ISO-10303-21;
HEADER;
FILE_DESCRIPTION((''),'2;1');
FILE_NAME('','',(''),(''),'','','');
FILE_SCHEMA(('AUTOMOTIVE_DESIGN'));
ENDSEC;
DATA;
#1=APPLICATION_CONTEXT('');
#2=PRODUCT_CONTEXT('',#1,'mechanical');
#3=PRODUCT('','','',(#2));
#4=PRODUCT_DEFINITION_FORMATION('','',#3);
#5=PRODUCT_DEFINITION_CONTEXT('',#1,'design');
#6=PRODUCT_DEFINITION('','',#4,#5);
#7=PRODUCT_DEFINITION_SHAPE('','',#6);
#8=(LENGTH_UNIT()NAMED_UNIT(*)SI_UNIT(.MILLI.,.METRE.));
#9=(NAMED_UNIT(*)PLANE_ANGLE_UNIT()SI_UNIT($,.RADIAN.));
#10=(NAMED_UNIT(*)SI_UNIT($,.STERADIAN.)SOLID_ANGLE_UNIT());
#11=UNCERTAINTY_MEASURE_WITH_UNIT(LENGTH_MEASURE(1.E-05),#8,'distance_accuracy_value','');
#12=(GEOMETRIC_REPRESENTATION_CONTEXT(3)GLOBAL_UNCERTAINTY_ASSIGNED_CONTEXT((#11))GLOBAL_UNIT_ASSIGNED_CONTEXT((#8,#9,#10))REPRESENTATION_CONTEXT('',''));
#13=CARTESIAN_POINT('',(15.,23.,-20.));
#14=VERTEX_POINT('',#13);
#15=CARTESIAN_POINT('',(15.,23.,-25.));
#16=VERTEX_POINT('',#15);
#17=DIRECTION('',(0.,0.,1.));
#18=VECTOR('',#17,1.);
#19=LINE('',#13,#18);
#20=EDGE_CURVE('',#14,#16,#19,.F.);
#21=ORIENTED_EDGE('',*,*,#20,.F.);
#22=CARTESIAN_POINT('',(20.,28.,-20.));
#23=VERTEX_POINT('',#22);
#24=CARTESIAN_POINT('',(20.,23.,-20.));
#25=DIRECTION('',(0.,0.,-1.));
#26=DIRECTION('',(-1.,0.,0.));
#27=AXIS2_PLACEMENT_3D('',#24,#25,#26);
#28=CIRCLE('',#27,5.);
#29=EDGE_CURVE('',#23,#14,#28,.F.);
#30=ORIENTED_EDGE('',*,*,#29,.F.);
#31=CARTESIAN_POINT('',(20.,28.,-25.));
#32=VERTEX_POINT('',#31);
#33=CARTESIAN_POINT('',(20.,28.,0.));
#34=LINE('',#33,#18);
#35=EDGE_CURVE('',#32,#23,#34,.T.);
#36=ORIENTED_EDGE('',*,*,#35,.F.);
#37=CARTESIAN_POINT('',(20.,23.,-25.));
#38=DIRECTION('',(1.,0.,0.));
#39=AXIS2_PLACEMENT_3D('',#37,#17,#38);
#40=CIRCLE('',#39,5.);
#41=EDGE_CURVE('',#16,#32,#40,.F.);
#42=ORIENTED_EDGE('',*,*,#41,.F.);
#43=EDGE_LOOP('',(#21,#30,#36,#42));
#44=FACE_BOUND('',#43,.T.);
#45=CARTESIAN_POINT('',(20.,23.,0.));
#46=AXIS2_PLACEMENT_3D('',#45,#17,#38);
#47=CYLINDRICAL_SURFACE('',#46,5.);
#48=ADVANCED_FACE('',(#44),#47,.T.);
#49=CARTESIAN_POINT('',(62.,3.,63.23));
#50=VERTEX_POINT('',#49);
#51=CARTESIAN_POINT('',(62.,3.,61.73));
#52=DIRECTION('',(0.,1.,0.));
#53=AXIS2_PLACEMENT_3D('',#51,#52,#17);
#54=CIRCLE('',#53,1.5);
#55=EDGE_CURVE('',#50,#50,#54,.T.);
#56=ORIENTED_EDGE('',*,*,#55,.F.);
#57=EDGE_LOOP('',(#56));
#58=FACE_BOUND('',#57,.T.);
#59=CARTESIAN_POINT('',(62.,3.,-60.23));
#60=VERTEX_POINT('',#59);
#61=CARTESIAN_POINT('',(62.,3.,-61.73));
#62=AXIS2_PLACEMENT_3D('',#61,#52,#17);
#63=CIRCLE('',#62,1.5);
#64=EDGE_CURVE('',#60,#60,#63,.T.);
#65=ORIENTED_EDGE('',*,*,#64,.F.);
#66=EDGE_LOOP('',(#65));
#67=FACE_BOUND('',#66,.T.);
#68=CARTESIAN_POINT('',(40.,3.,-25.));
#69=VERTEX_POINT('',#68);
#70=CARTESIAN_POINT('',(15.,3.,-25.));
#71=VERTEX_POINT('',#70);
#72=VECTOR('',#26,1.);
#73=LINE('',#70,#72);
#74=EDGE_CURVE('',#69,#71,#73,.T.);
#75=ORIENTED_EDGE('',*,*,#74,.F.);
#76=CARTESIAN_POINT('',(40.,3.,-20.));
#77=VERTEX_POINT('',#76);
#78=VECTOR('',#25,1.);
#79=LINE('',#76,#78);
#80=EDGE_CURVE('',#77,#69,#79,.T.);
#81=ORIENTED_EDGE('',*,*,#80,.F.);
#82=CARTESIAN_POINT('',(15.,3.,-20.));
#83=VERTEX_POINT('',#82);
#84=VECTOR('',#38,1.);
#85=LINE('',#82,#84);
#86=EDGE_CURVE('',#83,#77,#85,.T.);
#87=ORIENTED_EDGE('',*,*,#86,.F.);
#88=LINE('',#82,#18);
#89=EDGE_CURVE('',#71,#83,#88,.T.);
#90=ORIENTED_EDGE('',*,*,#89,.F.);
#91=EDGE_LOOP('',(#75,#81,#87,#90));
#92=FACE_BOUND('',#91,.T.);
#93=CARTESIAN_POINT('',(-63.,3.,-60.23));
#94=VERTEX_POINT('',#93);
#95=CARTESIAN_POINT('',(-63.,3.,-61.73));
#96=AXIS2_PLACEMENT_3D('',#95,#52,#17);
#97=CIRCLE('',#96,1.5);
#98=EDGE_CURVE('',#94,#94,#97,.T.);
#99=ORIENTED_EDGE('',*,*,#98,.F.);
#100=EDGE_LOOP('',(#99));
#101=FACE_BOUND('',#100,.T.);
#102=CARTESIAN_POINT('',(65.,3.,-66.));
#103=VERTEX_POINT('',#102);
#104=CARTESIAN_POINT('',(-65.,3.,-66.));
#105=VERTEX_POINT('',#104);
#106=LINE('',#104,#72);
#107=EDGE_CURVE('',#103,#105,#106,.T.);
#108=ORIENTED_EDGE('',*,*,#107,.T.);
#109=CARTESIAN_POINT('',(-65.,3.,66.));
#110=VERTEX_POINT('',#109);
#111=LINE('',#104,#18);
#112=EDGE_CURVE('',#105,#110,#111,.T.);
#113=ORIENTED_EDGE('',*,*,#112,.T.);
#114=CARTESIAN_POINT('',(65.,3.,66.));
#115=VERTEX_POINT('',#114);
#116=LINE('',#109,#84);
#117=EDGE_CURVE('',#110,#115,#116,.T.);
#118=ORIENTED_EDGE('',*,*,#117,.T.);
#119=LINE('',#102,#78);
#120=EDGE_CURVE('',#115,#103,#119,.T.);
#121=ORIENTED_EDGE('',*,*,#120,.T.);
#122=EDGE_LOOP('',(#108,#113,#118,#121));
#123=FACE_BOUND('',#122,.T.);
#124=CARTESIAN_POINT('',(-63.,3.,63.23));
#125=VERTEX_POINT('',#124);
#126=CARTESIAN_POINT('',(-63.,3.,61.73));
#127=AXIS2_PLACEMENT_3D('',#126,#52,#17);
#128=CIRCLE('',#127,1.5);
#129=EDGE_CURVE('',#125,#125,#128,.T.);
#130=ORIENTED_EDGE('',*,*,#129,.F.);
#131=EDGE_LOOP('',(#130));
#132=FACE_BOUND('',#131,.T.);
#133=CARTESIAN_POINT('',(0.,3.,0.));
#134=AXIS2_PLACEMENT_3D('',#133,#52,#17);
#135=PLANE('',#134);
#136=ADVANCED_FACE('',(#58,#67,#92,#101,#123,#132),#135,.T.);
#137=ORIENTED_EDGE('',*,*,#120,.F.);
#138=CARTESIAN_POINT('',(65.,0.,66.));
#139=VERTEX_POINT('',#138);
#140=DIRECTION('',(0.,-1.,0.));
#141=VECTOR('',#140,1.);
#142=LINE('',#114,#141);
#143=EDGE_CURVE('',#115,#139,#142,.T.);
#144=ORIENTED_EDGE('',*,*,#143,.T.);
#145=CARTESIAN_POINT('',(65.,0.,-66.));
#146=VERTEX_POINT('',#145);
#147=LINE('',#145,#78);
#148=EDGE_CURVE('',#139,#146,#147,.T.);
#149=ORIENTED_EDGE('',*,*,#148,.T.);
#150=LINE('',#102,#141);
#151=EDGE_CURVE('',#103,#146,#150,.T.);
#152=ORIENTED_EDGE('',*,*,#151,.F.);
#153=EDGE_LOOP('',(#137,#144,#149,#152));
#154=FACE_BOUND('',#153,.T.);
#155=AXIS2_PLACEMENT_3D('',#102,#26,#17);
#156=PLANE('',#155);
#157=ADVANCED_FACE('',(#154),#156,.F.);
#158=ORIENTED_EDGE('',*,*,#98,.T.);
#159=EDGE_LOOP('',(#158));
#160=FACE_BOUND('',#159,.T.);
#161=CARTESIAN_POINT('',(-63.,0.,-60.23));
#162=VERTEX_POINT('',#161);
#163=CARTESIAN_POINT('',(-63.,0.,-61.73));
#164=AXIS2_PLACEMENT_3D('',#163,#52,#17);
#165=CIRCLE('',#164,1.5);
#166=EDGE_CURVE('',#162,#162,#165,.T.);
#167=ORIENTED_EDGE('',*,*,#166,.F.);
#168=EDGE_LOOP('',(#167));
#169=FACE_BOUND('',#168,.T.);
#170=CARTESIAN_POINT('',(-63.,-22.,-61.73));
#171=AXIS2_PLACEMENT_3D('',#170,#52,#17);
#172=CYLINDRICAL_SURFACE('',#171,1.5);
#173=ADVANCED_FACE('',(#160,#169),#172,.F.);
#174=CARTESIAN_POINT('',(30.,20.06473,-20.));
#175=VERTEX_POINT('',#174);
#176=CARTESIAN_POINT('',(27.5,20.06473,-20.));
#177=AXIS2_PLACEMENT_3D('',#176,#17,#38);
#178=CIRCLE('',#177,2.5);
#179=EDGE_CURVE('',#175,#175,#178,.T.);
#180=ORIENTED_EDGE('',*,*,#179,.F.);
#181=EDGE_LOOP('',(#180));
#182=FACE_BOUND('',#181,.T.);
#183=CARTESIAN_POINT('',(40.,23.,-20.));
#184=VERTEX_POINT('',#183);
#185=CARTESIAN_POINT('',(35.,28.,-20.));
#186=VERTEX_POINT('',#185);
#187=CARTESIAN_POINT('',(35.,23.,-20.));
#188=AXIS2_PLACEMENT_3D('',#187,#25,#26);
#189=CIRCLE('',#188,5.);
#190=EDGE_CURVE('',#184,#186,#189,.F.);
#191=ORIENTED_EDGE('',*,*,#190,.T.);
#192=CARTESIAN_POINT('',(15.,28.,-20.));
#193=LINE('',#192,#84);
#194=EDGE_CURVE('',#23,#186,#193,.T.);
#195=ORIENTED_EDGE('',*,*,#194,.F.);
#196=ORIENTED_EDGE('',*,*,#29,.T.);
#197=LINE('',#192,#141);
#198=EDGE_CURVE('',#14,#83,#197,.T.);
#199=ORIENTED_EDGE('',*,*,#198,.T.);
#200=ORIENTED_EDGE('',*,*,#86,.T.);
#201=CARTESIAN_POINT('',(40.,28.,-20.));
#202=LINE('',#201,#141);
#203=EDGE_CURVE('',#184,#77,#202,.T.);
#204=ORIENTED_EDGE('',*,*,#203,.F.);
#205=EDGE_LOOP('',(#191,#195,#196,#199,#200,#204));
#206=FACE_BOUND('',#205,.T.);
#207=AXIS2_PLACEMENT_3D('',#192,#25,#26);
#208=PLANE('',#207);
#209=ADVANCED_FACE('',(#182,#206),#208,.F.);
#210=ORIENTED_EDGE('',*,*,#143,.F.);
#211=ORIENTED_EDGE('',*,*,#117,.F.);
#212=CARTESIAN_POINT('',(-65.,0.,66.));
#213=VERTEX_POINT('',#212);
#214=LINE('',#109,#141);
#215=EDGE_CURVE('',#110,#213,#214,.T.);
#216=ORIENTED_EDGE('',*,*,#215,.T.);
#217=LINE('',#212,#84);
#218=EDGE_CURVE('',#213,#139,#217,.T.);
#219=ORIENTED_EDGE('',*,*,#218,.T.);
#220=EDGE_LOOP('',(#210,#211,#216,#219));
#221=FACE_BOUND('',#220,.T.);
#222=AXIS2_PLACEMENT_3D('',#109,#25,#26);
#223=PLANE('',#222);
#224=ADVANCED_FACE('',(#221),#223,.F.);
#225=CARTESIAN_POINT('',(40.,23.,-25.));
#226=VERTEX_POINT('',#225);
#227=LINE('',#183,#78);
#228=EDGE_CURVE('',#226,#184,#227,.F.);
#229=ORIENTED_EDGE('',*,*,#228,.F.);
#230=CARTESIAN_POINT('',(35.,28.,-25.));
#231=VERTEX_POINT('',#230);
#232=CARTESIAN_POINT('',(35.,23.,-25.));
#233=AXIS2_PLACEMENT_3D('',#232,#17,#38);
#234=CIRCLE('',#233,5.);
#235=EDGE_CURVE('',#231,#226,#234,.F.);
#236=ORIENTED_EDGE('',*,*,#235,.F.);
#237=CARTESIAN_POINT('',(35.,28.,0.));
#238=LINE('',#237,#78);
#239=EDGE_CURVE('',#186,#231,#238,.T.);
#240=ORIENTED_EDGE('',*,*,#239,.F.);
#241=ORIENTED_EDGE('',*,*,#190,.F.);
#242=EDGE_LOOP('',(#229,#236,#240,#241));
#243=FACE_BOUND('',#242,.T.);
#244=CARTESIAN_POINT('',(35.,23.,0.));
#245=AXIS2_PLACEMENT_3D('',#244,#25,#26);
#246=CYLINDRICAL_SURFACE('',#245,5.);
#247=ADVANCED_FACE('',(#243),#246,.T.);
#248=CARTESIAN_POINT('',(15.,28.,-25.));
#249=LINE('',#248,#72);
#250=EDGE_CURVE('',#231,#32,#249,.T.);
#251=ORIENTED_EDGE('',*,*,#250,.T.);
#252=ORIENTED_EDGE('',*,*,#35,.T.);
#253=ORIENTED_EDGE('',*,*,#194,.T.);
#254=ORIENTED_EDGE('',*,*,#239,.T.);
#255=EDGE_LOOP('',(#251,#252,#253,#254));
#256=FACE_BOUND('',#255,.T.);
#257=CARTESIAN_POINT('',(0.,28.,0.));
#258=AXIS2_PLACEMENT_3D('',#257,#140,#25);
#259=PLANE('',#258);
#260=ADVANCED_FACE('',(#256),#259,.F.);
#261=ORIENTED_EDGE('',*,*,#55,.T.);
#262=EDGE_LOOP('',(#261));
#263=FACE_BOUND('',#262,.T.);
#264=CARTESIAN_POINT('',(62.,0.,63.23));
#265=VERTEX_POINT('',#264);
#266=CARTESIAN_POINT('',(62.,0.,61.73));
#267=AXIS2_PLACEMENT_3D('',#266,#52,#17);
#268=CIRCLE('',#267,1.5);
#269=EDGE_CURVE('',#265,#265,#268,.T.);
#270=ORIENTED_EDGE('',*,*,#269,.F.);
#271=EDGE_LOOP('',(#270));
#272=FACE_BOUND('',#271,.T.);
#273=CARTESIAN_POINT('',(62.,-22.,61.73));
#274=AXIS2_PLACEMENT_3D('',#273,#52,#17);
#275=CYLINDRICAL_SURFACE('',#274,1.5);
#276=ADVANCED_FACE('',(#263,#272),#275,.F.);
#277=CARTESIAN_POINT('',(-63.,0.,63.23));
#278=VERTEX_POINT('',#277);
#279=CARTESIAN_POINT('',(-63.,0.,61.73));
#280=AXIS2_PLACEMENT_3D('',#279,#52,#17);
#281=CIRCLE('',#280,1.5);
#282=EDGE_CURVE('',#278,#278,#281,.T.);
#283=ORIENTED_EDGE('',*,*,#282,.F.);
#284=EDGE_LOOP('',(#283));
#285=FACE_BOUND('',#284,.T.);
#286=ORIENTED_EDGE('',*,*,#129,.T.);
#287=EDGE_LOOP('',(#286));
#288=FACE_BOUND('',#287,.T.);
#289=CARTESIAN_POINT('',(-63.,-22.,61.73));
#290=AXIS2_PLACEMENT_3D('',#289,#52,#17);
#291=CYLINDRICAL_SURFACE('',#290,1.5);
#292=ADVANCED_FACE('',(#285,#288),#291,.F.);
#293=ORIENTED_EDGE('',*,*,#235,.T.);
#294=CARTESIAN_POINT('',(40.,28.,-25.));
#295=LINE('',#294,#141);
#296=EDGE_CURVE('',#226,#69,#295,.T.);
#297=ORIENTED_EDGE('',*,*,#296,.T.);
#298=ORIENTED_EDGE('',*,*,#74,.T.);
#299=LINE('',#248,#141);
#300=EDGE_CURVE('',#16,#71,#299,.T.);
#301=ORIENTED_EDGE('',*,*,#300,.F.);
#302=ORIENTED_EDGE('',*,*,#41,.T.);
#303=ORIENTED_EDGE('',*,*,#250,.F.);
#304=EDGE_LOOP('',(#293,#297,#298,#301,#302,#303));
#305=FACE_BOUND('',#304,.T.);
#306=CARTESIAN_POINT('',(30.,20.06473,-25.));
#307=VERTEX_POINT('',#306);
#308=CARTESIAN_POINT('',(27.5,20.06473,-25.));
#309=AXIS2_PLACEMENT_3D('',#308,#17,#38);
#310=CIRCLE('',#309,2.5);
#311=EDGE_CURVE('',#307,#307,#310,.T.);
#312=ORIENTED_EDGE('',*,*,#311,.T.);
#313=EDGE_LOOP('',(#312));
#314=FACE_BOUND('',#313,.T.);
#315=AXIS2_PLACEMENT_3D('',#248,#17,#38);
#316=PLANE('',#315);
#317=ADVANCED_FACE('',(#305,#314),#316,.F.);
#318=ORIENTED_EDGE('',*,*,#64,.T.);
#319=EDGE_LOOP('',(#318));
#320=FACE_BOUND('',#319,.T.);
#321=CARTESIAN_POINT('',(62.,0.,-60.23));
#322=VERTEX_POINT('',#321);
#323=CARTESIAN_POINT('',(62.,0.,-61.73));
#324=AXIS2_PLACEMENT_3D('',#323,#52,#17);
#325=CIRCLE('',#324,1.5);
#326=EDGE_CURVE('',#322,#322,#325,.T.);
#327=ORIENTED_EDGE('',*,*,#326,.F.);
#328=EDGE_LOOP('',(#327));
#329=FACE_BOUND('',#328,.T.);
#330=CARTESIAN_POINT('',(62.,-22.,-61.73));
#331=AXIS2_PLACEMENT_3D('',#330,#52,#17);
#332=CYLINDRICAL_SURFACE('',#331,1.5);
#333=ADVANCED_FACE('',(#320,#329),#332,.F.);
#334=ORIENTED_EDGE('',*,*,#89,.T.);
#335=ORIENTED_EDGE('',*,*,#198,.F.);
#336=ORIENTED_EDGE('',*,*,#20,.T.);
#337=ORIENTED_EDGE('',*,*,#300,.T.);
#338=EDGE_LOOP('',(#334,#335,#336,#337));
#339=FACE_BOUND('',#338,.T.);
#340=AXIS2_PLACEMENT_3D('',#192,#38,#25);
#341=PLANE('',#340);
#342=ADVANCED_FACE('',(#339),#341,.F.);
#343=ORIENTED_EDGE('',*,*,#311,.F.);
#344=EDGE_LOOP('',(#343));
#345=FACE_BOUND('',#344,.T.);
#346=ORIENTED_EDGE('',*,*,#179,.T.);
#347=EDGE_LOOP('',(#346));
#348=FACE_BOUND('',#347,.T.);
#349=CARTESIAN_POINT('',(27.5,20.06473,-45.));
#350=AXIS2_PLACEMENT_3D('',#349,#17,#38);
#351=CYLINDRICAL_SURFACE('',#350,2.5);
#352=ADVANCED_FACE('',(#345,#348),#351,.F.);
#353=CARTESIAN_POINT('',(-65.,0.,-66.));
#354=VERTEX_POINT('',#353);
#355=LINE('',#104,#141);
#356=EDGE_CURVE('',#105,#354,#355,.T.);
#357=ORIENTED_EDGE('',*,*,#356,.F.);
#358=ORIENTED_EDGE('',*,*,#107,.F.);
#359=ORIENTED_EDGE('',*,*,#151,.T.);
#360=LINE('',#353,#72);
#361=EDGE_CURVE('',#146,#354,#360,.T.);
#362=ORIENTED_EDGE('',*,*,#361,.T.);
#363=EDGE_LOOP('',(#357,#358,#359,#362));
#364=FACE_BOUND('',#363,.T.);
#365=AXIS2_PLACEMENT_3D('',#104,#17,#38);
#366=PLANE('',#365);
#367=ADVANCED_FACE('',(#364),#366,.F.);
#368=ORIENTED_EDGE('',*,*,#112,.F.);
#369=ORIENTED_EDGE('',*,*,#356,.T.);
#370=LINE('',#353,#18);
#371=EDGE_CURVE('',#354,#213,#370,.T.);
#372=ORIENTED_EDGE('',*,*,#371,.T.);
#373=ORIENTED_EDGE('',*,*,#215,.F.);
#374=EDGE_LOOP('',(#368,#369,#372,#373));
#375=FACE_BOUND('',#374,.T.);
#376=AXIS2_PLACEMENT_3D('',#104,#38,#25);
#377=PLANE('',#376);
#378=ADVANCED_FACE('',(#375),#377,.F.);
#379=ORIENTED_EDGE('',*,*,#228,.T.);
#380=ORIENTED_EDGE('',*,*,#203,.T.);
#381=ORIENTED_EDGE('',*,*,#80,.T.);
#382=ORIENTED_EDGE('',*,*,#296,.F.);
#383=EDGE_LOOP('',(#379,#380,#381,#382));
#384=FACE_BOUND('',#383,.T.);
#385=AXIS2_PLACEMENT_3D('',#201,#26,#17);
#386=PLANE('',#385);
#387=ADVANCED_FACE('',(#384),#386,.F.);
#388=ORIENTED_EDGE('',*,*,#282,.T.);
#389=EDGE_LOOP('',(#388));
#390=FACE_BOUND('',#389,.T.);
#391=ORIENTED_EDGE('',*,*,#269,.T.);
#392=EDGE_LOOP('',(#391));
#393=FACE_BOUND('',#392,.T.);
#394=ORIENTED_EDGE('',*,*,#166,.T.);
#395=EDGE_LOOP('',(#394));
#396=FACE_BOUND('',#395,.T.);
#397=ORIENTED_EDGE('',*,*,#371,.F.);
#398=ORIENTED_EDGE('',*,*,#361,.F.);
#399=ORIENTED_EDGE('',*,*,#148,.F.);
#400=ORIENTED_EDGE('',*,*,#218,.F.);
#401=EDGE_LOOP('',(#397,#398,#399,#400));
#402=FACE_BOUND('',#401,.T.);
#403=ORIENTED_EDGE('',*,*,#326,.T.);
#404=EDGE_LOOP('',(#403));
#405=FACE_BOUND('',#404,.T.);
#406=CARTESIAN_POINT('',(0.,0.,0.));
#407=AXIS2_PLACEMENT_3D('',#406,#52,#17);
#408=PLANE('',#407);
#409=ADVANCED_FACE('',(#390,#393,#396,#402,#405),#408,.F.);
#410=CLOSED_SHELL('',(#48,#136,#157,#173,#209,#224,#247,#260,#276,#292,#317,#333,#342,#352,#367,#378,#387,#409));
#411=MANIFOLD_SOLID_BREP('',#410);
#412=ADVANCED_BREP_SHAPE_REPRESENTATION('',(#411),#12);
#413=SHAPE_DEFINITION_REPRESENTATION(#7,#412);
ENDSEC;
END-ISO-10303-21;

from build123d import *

# Parameters (mm, degrees)
SKETCH1_W           = 130
SKETCH1_H           = 132
BOSS_EXTRUDE1_DEPTH = 3
SKETCH2_W           = 25
SKETCH2_H           = 5
BOSS_EXTRUDE2_DEPTH = 25
FILLET1_R           = 5
SKETCH3_R           = 2.5
CUT_EXTRUDE1_DEPTH  = 25
SKETCH4_R           = 1.5
CUT_EXTRUDE2_DEPTH  = 25


with BuildPart() as part:
    # Sketch1 → Boss-Extrude1 (new body)
    with BuildSketch(Plane(origin=(0, 0, 0), x_dir=(1, 0, 0), z_dir=(0, 1, 0))):
        Rectangle(SKETCH1_W, SKETCH1_H)
    extrude(amount=BOSS_EXTRUDE1_DEPTH)

    # Sketch2 → Boss-Extrude2 (add)
    with BuildSketch(Plane(origin=(0, 3, 0), x_dir=(1, 0, 0), z_dir=(0, 1, 0))):
        with Locations((27.5, 22.5)):
            Rectangle(SKETCH2_W, SKETCH2_H)
    extrude(amount=BOSS_EXTRUDE2_DEPTH)

    # Fillet1
    fillet1_edges = [part.edges().sort_by_distance(p)[0] for p in [
        (15, 28, -22.5),
        (40, 28, -22.5),
    ]]
    fillet(fillet1_edges, radius=FILLET1_R)

    # Sketch3 → Cut-Extrude1 (cut)
    with BuildSketch(Plane.XY.offset(-20)):
        with Locations((27.5, 20.0647296)):
            Circle(SKETCH3_R)
    extrude(amount=-CUT_EXTRUDE1_DEPTH, mode=Mode.SUBTRACT)

    # Sketch4 → Cut-Extrude2 (cut)
    with BuildSketch(Plane(origin=(0, 3, 0), x_dir=(1, 0, 0), z_dir=(0, 1, 0))):
        with Locations(Location((-63, 61.73, 0), (0, 0, 270))):
            Circle(SKETCH4_R)
        with Locations(Location((62, 61.73, 0), (0, 0, 270))):
            Circle(SKETCH4_R)
        with Locations(Location((-63, -61.73, 0), (0, 0, 270))):
            Circle(SKETCH4_R)
        with Locations(Location((62, -61.73, 0), (0, 0, 270))):
            Circle(SKETCH4_R)
    extrude(amount=-CUT_EXTRUDE2_DEPTH, mode=Mode.SUBTRACT)


solid = part.part
